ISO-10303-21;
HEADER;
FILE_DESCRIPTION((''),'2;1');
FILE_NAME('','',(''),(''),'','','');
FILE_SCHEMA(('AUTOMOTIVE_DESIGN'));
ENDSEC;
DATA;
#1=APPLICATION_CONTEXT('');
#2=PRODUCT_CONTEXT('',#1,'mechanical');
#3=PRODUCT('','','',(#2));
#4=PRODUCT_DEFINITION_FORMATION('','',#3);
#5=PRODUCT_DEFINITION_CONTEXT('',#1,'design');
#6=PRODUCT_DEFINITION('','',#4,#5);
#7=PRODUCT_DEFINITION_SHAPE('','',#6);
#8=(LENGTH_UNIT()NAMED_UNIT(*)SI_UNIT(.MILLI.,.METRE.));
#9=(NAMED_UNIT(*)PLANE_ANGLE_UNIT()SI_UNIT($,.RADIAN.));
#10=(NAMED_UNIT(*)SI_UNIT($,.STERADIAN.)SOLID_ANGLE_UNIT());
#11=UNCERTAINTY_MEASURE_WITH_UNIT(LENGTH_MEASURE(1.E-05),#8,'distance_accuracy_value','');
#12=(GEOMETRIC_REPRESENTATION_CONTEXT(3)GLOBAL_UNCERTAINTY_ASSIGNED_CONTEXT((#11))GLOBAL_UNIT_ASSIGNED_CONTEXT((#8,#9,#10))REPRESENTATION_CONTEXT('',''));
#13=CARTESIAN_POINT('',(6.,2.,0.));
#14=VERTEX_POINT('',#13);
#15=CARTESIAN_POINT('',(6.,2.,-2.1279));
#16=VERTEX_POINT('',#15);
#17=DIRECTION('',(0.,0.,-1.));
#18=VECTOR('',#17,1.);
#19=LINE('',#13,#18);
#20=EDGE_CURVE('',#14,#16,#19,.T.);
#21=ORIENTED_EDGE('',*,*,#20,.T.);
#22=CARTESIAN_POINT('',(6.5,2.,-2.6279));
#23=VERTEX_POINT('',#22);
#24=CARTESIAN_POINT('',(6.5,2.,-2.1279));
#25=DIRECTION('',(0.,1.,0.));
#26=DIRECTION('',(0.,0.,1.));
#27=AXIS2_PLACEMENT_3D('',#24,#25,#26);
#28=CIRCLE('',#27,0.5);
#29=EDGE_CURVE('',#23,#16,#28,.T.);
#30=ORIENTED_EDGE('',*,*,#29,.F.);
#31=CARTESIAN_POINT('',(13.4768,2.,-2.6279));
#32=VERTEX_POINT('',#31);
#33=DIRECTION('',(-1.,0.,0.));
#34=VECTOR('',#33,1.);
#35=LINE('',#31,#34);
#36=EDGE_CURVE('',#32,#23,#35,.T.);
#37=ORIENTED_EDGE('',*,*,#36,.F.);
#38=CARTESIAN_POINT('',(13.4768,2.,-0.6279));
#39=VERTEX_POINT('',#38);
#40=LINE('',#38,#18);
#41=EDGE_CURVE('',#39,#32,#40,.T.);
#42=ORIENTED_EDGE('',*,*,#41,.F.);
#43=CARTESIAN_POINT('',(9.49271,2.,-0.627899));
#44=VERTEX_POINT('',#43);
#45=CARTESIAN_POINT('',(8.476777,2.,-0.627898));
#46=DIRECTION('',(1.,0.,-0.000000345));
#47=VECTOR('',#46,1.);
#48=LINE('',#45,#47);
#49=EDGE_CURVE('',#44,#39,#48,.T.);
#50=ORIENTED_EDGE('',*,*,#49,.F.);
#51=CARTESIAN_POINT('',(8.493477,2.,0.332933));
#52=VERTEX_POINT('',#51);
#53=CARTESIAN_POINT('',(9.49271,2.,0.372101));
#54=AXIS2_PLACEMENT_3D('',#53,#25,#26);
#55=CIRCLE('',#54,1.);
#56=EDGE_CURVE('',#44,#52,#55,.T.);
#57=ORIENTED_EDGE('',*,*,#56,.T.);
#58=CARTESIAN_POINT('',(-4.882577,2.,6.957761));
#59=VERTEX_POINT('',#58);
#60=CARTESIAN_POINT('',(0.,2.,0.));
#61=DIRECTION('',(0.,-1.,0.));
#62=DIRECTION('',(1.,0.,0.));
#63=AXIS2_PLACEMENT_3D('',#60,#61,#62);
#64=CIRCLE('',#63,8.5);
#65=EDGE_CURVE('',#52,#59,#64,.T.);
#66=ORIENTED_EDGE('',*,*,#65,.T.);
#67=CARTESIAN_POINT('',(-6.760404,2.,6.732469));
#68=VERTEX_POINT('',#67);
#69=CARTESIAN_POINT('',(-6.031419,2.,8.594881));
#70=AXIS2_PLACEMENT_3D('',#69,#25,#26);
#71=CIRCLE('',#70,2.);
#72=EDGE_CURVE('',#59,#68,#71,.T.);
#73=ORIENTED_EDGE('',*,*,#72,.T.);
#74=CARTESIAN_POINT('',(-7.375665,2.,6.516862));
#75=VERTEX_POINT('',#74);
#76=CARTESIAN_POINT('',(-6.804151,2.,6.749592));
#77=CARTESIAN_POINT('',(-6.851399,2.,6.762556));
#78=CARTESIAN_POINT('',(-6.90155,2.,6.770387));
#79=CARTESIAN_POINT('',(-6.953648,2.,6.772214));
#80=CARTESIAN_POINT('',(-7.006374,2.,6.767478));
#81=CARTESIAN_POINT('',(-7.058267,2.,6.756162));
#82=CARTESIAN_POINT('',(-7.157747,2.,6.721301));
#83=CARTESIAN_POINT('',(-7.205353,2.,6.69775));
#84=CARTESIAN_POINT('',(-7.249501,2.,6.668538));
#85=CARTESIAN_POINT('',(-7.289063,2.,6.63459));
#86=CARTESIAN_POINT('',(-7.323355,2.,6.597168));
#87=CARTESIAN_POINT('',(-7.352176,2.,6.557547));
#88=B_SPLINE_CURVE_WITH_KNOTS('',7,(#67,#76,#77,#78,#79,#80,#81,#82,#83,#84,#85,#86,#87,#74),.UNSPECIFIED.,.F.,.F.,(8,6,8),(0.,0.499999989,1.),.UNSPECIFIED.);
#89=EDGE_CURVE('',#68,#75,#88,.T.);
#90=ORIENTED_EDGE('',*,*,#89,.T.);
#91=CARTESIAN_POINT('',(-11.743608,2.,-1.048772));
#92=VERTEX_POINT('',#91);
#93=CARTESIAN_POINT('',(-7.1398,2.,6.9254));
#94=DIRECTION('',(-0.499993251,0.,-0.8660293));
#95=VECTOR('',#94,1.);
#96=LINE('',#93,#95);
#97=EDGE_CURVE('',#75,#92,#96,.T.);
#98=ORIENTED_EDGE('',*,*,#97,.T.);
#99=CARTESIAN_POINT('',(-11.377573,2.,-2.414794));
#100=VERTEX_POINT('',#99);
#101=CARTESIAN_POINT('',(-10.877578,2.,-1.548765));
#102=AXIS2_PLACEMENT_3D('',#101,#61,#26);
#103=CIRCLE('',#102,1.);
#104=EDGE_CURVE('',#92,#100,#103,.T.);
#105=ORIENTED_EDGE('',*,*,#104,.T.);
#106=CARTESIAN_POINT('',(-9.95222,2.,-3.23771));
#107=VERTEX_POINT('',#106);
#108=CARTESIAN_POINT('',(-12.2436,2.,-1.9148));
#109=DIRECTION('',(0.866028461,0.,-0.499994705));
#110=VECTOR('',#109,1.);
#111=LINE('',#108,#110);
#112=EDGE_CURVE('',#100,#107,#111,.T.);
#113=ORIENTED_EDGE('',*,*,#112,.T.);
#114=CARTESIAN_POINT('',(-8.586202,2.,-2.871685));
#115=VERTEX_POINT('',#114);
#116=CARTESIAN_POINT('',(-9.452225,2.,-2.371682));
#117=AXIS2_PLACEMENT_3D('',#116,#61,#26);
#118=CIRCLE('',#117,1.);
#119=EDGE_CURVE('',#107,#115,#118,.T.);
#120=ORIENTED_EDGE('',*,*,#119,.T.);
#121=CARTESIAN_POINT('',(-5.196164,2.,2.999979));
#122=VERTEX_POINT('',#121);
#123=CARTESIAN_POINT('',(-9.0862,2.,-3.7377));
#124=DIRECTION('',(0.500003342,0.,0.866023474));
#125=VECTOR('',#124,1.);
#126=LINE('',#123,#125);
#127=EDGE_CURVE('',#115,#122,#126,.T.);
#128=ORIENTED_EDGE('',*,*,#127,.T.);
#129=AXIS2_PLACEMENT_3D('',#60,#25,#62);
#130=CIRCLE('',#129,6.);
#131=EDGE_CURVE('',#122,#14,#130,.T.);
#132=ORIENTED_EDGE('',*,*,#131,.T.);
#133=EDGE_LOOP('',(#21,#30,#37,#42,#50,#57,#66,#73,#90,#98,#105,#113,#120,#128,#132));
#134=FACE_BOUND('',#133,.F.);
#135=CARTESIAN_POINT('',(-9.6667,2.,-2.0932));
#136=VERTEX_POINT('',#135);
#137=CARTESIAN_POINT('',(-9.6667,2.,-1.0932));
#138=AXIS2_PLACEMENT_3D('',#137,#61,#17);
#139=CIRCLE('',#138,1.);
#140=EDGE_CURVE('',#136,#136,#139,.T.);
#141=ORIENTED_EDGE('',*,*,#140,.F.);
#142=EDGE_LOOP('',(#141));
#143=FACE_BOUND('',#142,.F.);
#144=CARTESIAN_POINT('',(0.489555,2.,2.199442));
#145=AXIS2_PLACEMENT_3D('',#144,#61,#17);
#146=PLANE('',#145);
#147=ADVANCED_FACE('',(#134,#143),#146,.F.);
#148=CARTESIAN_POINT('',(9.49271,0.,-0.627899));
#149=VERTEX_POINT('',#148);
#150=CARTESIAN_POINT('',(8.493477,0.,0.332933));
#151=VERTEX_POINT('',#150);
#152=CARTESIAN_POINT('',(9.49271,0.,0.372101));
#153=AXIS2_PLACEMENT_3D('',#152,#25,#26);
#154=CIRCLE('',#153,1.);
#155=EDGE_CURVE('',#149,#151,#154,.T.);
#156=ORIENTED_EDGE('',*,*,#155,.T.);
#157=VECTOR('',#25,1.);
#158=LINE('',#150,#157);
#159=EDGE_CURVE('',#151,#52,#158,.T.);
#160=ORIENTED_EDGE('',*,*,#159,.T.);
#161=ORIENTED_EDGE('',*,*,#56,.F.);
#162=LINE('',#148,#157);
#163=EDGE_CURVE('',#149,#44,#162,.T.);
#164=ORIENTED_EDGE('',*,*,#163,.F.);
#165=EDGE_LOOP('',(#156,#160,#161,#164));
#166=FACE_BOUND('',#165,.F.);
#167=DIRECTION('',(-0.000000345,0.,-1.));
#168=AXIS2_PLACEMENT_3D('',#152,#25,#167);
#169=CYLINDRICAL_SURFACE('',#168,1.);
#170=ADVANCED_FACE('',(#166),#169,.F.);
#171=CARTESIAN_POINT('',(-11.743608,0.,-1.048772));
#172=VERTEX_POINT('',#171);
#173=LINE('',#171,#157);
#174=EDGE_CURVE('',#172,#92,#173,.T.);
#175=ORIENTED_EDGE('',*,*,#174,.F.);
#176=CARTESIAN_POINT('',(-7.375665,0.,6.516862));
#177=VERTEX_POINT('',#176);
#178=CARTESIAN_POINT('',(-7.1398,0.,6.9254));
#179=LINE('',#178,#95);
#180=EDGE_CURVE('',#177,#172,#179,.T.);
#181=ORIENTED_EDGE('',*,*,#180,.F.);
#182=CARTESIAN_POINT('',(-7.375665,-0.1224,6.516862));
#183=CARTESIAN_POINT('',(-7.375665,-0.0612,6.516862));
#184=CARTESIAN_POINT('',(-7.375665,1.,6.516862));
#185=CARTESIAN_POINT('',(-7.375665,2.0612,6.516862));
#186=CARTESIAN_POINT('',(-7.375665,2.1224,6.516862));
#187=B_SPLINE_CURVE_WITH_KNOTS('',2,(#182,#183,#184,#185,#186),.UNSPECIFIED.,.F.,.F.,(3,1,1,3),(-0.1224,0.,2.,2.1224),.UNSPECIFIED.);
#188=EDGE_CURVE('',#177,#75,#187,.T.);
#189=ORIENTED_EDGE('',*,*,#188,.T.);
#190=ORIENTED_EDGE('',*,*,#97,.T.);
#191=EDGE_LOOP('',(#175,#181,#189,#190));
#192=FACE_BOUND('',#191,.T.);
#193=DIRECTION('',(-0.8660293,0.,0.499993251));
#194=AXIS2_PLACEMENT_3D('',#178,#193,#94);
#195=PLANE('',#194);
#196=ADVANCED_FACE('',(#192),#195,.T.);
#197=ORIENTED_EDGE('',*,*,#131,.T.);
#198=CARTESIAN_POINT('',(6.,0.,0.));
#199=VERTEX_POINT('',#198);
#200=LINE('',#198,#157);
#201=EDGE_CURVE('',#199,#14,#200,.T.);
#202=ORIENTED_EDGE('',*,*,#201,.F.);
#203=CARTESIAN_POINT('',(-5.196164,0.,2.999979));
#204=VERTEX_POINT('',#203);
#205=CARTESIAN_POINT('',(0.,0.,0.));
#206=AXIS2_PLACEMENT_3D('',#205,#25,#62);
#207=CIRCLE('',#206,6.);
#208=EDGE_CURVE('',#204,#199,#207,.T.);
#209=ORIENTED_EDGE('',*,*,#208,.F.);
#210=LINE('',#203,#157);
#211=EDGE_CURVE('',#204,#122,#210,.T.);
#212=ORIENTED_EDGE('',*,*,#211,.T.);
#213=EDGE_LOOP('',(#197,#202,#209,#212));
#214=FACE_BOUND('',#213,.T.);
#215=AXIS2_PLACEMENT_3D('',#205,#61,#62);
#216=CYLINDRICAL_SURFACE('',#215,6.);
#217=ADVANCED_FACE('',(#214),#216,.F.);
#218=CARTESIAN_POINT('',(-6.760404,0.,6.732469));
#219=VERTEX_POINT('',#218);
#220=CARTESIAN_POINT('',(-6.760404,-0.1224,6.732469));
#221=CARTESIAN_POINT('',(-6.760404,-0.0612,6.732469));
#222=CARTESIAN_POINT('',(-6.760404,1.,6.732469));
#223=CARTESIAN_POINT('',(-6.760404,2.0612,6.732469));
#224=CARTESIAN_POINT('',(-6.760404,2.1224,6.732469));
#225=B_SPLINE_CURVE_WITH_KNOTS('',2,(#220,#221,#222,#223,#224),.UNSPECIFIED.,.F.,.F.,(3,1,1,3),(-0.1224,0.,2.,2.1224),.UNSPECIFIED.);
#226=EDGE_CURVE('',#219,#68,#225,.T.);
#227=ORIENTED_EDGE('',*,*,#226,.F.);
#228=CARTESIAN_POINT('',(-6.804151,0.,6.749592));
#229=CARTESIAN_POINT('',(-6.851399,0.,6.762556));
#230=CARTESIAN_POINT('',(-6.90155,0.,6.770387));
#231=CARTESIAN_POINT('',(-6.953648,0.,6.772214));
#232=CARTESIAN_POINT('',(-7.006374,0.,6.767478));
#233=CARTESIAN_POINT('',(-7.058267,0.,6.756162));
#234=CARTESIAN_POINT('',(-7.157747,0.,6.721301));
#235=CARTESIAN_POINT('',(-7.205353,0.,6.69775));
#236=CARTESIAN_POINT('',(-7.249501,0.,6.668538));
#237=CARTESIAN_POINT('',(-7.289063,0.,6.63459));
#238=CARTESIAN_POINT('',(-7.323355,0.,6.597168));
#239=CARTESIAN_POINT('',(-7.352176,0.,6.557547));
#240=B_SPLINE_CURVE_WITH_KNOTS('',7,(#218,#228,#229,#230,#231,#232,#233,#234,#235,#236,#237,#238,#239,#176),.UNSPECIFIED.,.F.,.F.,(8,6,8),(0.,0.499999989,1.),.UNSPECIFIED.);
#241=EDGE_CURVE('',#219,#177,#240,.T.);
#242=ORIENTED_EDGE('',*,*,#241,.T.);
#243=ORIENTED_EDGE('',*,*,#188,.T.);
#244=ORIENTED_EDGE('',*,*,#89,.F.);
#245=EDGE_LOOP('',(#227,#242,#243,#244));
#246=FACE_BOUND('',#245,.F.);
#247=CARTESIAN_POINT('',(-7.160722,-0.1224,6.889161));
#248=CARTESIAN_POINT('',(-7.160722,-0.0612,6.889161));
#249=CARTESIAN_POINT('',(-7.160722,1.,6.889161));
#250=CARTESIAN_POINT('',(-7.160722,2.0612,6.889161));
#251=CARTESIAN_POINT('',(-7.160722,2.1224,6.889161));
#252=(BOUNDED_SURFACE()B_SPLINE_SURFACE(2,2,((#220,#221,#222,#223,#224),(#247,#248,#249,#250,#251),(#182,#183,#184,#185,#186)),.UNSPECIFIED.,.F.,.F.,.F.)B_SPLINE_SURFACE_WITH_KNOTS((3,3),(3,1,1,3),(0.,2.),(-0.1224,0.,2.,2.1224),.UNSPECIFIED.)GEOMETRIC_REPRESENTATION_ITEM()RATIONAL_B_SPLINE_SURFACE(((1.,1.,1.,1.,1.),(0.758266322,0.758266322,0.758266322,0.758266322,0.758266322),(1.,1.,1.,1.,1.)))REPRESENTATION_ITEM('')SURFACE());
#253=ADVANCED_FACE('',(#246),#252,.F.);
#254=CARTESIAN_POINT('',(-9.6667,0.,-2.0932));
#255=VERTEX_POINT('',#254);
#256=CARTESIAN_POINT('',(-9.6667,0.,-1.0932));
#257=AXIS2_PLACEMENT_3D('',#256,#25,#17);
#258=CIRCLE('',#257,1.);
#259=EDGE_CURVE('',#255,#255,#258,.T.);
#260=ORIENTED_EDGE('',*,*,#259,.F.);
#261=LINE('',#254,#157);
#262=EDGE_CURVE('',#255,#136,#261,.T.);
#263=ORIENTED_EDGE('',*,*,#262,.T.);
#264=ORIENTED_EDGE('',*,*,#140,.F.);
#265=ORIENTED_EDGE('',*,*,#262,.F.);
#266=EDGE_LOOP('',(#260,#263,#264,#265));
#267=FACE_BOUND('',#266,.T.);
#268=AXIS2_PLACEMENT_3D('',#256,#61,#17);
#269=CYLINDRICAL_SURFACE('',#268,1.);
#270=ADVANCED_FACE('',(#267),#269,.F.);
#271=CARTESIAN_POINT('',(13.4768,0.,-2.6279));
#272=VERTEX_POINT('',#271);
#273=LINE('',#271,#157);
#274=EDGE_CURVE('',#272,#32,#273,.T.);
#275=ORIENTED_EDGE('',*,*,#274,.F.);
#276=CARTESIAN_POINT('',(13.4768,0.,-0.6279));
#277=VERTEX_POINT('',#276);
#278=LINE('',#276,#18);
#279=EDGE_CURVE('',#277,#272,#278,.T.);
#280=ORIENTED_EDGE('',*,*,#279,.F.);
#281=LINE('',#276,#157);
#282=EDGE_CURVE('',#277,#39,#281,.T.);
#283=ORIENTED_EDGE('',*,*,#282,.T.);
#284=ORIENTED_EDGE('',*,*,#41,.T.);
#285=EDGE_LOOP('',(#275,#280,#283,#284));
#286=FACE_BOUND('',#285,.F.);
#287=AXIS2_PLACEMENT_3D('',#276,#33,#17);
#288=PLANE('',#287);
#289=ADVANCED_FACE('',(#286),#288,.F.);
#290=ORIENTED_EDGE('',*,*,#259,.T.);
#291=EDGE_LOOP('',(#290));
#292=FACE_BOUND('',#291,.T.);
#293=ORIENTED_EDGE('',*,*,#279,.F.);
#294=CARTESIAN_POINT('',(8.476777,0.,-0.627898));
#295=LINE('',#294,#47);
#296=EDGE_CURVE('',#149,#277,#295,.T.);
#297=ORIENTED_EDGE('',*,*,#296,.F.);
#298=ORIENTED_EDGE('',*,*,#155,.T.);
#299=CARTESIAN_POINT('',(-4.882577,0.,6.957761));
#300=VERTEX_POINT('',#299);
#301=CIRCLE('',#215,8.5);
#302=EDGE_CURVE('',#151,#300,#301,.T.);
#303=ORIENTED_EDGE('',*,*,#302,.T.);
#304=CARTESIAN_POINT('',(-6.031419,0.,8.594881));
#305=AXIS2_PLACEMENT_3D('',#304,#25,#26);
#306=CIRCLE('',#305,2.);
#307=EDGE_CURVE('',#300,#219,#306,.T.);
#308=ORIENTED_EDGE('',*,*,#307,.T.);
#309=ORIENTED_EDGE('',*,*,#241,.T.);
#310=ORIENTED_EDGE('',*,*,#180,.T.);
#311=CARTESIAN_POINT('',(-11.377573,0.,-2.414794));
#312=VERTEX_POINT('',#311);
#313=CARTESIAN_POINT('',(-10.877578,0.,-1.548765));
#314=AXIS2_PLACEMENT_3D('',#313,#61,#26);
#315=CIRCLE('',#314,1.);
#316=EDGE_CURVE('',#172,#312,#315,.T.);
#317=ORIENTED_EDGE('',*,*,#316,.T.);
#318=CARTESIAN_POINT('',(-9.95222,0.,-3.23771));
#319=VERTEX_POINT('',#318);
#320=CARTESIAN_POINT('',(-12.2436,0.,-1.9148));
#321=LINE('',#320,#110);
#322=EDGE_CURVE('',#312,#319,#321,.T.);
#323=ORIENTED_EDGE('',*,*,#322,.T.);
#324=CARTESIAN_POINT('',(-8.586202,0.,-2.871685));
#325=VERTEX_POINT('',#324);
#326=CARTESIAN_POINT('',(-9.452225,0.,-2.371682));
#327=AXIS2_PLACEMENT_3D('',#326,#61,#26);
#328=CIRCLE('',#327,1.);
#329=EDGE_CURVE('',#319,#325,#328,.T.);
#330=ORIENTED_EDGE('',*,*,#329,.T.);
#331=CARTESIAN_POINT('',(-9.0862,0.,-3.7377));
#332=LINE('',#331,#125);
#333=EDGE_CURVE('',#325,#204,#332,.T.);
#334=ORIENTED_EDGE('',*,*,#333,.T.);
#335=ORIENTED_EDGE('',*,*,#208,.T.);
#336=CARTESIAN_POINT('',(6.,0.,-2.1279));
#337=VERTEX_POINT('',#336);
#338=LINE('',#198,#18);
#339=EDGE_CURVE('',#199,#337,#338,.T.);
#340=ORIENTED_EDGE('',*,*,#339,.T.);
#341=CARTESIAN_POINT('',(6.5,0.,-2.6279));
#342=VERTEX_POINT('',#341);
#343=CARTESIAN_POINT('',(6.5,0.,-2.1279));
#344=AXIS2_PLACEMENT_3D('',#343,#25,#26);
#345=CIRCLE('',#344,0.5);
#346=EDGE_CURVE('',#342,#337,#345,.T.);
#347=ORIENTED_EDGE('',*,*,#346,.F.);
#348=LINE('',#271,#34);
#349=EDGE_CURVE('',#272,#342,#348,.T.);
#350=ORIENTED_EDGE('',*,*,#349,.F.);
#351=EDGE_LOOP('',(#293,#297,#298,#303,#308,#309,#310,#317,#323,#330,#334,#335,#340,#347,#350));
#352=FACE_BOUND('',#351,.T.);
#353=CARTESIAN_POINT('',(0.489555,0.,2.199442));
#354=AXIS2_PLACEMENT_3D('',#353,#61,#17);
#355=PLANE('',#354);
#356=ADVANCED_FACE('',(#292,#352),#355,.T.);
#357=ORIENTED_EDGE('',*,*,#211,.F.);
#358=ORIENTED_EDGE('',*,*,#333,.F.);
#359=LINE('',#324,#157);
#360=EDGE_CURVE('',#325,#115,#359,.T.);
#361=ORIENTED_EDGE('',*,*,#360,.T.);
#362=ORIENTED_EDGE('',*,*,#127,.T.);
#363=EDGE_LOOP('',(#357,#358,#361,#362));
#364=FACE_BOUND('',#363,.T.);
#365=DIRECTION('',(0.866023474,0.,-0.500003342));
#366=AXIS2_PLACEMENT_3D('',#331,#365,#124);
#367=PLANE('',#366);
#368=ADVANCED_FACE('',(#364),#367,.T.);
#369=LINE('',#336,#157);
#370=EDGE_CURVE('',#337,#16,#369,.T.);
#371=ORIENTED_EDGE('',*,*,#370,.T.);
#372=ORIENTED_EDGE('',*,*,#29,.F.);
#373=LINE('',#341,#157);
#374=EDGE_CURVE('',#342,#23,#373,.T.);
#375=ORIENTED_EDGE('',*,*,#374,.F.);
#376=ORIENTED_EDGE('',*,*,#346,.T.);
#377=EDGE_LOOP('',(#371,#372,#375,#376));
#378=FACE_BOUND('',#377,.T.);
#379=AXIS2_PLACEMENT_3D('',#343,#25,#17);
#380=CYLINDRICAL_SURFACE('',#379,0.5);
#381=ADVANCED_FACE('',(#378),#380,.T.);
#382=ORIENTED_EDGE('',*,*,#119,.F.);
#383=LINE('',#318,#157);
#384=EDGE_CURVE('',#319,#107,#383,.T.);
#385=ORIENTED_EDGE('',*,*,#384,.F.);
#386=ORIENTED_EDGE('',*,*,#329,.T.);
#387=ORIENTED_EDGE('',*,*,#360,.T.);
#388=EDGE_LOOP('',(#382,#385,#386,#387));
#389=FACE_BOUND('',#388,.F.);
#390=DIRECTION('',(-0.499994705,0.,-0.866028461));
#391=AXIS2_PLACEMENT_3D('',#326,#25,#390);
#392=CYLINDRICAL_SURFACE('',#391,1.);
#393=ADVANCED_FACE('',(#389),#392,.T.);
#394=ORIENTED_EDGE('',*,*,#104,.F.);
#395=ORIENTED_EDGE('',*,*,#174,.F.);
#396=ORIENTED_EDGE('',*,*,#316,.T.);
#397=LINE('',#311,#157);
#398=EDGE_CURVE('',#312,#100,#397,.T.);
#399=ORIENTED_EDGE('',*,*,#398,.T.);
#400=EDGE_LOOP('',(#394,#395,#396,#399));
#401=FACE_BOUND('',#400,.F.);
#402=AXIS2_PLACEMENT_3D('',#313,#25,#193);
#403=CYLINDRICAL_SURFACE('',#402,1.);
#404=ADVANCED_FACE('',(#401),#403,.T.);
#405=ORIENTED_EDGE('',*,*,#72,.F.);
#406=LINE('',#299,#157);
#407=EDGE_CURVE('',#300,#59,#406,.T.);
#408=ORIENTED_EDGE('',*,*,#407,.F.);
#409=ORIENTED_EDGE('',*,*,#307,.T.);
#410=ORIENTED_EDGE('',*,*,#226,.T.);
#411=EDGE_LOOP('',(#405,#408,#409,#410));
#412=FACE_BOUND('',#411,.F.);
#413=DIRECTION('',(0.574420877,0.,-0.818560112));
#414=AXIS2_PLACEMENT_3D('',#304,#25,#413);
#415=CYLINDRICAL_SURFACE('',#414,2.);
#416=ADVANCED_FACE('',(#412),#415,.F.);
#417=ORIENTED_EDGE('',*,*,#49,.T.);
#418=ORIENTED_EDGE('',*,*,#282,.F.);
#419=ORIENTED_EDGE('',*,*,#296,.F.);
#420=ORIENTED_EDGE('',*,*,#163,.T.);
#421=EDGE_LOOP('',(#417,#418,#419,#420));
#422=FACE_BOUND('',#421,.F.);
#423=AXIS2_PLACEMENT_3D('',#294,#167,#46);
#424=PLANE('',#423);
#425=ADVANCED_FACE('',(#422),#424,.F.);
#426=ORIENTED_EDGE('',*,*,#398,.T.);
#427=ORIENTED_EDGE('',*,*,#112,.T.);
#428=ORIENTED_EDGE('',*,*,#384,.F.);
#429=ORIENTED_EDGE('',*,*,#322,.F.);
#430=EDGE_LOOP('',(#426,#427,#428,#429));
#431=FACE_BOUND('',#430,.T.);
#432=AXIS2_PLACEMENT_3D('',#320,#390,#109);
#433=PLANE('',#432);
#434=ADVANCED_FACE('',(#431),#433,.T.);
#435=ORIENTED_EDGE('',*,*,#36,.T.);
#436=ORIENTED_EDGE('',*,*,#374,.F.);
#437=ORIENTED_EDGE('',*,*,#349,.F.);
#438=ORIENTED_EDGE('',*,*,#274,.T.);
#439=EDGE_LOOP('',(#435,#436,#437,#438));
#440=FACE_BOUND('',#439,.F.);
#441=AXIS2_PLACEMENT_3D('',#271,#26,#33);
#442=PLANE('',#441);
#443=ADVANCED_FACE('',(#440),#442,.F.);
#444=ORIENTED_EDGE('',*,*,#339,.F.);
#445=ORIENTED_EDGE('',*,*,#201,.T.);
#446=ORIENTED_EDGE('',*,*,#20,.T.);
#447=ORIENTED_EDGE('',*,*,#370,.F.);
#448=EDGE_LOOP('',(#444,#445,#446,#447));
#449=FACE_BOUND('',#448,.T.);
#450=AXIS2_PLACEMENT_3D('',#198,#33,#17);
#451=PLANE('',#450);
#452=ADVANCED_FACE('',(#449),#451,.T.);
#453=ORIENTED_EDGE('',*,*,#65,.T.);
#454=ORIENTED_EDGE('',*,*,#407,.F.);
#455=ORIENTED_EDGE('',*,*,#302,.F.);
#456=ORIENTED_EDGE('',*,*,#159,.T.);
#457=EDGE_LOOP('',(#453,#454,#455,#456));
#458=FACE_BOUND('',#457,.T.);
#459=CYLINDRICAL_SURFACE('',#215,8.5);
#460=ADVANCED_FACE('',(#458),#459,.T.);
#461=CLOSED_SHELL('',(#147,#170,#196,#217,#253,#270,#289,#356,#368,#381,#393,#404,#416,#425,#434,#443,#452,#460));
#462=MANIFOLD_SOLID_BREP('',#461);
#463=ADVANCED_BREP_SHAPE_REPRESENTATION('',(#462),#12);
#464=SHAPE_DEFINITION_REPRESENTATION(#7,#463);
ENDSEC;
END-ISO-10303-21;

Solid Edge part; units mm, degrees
sketch "Sketch1" plane through (0, 0, 0) normal (0, -1, 0) x (1, 0, 0)
  line L0 (-5.8407, 6.1754) -> (-7.1398, 6.9254)
  line L1 (-7.1398, 6.9254) -> (-12.2436, -1.9148)
  line L2 (-12.2436, -1.9148) -> (-9.0862, -3.7377)
  line L3 (-9.0862, -3.7377) -> (-5.1962, 3)
  line L4 (6, 0) -> (6, -2.6279)
  line L5 (13.4768, -2.6279) -> (6, -2.6279)
  line L6 (13.4768, -0.6279) -> (13.4768, -2.6279)
  line L7 (8.4768, -0.6279) -> (13.4768, -0.6279)
  arc A0 (8.4768, -0.6279) -> (-5.8407, 6.1754) centre (0, 0) ccw
  arc A1 (-5.1962, 3) -> (6, 0) centre (0, 0) cw
  dimension "D1" = 12
  dimension "D2" = 17
  dimension "D3" = 1.5
  dimension "D4" = 2
  dimension "D5" = 5
  dimension "D6" = 2.6279
  dimension "D7" = 7.4768
  dimension "D8" = 6.4902
  dimension "D9" = 3.6459
  dimension "D10" = 7.7801
  dimension "D11" = 10.2078
extrude "Protrusion1" add sketch "Sketch1" against normal blind 2
fillet "Round_1" radius 1 1 edges at (8.4768, 1, -0.6279)
fillet "Round_2" radius 0.5 1 edges at (6, 1, -2.6279)
fillet "Round_3" radius 2 1 edges at (-5.8407, 1, 6.1754)
fillet "Round_4" radius 0.5 1 edges at (-7.1398, 1, 6.9254)
hole "Hole___body" at (-9.6667, 0, -1.0932) direction (0, 1, 0) diameter 2 end up to next
fillet "Round_5" radius 1 2 edges at (-9.0862, 1, -3.7377) (-12.2436, 1, -1.9148)
properties material "ABS Plastic, high impact"
